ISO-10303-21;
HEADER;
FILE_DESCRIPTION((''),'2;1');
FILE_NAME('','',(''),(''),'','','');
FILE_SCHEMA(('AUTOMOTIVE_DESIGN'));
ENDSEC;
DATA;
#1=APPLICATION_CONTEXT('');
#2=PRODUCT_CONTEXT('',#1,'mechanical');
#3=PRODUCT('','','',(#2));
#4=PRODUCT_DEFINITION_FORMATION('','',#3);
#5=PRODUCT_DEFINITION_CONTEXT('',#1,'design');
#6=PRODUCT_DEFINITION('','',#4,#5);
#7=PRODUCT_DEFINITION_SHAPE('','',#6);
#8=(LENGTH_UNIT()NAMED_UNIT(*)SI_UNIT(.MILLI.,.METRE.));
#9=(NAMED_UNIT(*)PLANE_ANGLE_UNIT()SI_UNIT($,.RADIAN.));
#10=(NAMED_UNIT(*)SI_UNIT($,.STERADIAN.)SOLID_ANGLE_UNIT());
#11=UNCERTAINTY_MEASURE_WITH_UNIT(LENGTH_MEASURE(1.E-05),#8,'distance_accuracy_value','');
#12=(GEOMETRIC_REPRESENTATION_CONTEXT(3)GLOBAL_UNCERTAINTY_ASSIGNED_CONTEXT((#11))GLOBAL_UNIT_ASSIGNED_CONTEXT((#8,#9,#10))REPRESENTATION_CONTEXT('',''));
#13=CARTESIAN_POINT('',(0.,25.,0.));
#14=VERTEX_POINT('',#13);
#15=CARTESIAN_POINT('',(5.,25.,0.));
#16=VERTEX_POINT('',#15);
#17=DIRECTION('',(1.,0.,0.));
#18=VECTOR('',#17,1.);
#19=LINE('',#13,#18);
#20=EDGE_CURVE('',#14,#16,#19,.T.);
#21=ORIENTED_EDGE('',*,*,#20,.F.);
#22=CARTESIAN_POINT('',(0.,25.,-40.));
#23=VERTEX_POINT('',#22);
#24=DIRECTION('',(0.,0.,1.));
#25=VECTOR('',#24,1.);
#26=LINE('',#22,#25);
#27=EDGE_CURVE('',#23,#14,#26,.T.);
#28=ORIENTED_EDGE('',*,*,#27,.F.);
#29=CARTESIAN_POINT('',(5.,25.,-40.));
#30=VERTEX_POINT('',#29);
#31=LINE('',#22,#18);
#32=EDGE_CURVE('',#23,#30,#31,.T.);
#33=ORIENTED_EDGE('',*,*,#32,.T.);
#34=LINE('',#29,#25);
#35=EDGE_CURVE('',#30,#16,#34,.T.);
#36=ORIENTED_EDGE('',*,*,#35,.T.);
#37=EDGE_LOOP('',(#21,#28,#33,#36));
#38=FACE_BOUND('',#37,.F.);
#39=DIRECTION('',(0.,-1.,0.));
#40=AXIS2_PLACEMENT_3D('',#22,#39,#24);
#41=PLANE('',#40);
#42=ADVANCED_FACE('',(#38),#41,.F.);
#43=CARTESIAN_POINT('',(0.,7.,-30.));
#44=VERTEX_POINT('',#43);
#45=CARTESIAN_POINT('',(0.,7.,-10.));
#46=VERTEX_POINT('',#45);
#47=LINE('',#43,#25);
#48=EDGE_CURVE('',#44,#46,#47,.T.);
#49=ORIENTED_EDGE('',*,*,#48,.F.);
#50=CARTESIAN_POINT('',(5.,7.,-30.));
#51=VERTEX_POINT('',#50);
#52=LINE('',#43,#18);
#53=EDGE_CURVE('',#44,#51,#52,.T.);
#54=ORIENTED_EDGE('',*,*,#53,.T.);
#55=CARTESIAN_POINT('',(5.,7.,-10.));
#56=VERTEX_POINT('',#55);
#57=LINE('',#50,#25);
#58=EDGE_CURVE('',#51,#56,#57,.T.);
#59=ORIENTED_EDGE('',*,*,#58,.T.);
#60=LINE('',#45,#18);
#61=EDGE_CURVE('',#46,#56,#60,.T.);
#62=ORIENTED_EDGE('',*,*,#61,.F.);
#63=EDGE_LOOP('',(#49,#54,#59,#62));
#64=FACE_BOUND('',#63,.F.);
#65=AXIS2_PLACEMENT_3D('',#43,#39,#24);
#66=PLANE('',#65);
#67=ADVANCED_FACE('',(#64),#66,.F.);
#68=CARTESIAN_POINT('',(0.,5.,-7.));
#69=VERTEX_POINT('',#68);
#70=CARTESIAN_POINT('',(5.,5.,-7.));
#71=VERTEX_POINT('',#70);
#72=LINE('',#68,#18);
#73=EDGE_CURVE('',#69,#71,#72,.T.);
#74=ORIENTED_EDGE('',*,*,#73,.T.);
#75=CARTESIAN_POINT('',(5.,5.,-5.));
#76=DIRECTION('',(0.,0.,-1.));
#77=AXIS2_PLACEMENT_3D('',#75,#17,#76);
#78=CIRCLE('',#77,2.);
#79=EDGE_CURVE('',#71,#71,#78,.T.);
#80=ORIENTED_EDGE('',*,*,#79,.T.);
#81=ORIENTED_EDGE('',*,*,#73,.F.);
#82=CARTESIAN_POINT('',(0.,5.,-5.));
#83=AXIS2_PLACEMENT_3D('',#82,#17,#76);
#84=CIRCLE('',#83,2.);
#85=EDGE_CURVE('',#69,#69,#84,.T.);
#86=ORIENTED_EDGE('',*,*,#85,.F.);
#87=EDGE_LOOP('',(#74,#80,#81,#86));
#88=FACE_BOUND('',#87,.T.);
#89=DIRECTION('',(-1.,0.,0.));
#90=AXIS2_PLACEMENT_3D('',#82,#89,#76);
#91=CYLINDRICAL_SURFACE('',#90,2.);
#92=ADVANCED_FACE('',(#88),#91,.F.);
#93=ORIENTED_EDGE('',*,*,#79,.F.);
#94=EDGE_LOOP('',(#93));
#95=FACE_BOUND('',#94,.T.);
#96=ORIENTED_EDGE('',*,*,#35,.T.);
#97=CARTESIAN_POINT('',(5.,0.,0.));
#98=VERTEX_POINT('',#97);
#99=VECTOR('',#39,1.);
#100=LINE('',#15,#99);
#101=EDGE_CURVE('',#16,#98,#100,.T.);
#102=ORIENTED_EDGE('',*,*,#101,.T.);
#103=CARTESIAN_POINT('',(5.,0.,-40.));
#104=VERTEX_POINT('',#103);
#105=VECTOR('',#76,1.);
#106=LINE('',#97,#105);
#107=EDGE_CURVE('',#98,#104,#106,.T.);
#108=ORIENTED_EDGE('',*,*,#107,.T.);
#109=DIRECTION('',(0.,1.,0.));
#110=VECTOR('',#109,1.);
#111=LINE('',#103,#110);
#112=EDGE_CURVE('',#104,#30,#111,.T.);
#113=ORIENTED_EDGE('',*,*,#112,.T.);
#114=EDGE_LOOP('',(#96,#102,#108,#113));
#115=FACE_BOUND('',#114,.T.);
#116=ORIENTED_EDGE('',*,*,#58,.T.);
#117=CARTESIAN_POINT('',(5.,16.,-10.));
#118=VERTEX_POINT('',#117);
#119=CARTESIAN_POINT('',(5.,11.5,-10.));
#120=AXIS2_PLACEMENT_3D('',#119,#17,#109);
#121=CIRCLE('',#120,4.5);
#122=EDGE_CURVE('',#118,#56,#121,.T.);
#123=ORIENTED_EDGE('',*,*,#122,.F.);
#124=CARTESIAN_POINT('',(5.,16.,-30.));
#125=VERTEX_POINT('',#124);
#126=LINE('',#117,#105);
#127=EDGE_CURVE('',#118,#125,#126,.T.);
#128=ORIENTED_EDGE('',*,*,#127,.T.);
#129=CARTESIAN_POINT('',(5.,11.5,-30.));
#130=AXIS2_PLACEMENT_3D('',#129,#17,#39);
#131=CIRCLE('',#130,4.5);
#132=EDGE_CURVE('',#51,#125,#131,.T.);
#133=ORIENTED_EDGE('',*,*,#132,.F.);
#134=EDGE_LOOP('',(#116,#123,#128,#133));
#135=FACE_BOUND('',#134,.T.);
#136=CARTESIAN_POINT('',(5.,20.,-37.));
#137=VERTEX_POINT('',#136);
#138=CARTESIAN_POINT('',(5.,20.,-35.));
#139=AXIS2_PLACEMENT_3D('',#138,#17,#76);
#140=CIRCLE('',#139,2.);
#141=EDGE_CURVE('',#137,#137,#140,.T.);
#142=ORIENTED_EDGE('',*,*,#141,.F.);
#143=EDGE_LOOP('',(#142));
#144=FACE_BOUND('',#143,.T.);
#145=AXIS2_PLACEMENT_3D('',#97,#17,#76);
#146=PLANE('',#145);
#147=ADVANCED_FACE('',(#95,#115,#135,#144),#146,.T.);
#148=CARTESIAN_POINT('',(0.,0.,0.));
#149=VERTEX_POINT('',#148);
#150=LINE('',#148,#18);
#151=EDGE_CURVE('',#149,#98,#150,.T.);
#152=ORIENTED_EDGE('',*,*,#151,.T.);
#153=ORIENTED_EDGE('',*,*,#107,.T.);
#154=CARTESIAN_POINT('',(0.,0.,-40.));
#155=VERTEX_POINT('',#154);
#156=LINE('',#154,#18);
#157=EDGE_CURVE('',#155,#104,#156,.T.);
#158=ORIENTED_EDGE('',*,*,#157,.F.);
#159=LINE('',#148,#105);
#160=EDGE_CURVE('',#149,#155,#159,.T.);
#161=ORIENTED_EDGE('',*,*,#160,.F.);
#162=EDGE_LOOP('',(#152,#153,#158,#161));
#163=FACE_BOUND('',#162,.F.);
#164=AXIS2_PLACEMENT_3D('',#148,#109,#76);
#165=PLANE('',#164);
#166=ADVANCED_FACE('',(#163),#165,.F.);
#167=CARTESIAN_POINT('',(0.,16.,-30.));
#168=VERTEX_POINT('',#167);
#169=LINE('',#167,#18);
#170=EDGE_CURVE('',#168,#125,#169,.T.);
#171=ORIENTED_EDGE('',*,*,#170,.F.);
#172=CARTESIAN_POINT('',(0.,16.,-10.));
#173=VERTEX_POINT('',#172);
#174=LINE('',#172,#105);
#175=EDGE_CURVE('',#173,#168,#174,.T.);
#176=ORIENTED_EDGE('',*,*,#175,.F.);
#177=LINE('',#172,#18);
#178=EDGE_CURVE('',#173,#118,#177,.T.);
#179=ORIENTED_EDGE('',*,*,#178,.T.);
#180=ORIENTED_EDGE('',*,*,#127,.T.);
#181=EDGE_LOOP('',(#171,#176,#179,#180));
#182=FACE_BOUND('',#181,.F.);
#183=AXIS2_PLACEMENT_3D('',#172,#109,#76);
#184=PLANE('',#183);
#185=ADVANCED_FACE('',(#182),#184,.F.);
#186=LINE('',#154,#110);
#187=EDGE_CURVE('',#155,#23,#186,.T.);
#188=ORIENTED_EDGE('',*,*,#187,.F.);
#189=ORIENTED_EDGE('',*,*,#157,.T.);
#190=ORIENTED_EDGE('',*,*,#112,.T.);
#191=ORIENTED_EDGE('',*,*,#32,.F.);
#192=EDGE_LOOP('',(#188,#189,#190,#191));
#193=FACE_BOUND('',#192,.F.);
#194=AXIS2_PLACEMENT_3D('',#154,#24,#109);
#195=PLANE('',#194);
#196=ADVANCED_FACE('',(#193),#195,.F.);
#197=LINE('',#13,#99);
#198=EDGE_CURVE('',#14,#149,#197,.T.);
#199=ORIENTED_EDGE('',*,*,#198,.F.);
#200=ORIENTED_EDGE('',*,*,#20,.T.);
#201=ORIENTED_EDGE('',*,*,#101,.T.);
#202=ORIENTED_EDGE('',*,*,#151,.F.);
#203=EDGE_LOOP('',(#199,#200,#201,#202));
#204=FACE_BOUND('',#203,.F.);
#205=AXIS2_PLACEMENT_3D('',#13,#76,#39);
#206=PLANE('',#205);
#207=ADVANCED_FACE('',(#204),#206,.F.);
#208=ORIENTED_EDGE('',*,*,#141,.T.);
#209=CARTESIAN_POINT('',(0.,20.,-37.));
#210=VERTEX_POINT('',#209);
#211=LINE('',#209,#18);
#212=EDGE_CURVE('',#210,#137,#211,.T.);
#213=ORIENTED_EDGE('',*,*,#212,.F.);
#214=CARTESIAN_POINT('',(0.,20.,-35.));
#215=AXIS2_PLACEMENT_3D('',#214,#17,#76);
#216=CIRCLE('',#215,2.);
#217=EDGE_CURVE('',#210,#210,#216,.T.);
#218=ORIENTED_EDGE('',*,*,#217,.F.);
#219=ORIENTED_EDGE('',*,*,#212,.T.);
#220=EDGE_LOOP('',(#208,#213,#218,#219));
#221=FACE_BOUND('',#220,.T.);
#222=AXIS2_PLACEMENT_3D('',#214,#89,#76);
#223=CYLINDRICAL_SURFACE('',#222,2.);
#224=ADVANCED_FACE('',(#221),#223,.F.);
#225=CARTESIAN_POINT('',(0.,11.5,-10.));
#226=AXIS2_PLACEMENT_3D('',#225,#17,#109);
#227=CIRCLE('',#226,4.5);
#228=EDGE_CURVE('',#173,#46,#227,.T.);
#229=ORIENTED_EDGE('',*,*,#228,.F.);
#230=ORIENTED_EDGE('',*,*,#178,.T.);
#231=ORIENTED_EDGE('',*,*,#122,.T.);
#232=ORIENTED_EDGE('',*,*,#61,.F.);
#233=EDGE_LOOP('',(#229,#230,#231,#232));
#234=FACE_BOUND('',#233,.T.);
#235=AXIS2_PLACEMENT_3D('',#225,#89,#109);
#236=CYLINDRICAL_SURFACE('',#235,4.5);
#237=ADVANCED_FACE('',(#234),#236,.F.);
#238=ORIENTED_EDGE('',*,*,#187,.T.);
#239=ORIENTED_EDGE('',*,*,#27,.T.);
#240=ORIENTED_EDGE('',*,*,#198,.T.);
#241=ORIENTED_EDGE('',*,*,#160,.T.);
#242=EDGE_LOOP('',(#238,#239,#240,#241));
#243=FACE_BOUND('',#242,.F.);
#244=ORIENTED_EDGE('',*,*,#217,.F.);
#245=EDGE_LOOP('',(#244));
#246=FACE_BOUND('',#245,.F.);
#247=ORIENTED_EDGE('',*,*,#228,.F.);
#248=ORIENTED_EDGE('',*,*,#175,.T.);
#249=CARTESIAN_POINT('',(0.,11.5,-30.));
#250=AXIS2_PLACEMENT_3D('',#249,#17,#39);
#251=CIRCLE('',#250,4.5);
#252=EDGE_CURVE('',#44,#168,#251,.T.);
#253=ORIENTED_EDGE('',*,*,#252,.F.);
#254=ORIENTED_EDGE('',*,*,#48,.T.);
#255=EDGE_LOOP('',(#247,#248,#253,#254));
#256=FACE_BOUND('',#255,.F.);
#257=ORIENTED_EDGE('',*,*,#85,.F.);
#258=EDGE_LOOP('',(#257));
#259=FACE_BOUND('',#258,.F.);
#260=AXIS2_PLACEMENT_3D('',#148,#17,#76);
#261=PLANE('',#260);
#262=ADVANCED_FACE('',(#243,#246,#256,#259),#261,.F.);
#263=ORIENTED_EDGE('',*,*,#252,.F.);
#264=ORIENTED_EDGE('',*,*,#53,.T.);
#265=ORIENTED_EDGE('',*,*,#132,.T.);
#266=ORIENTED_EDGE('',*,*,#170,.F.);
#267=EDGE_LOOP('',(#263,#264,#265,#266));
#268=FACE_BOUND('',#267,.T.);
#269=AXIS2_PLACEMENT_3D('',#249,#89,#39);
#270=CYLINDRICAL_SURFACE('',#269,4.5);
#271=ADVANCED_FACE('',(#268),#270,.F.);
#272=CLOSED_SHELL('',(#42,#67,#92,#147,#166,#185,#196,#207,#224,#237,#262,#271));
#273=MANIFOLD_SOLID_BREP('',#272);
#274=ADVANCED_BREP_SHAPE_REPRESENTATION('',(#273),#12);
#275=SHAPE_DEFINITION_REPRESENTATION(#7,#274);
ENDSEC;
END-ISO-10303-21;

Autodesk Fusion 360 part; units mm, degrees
sketch "Sketch1" plane through (0, 0, 0) normal (1, 0, 0) x (0, 0, -1)
  line L0 (0, 0) -> (40, 0)
  line L1 (40, 0) -> (40, 25)
  line L2 (40, 25) -> (0, 25)
  line L3 (0, 25) -> (0, 0)
  circle A0 centre (35, 20) radius 2
  circle A1 centre (5, 5) radius 2
  line L4 (10, 16) -> (30, 16)
  arc A2 (30, 7) -> (30, 16) centre (30, 11.5) ccw
  line L5 (30, 7) -> (10, 7)
  arc A3 (10, 16) -> (10, 7) centre (10, 11.5) ccw
  dimension "d1" = 40
  dimension "d2" = 25
  dimension "d3" = 4
  dimension "d4" = 4
  dimension "d5" = 5
  dimension "d7" = 35
  dimension "d8" = 5
  dimension "d9" = 35
  dimension "d10" = 9
  dimension "d11" = 20
  dimension "d12" = 7
  dimension "d14" = 10
extrude "Extrude1" add sketch "Sketch1" along normal blind 5
